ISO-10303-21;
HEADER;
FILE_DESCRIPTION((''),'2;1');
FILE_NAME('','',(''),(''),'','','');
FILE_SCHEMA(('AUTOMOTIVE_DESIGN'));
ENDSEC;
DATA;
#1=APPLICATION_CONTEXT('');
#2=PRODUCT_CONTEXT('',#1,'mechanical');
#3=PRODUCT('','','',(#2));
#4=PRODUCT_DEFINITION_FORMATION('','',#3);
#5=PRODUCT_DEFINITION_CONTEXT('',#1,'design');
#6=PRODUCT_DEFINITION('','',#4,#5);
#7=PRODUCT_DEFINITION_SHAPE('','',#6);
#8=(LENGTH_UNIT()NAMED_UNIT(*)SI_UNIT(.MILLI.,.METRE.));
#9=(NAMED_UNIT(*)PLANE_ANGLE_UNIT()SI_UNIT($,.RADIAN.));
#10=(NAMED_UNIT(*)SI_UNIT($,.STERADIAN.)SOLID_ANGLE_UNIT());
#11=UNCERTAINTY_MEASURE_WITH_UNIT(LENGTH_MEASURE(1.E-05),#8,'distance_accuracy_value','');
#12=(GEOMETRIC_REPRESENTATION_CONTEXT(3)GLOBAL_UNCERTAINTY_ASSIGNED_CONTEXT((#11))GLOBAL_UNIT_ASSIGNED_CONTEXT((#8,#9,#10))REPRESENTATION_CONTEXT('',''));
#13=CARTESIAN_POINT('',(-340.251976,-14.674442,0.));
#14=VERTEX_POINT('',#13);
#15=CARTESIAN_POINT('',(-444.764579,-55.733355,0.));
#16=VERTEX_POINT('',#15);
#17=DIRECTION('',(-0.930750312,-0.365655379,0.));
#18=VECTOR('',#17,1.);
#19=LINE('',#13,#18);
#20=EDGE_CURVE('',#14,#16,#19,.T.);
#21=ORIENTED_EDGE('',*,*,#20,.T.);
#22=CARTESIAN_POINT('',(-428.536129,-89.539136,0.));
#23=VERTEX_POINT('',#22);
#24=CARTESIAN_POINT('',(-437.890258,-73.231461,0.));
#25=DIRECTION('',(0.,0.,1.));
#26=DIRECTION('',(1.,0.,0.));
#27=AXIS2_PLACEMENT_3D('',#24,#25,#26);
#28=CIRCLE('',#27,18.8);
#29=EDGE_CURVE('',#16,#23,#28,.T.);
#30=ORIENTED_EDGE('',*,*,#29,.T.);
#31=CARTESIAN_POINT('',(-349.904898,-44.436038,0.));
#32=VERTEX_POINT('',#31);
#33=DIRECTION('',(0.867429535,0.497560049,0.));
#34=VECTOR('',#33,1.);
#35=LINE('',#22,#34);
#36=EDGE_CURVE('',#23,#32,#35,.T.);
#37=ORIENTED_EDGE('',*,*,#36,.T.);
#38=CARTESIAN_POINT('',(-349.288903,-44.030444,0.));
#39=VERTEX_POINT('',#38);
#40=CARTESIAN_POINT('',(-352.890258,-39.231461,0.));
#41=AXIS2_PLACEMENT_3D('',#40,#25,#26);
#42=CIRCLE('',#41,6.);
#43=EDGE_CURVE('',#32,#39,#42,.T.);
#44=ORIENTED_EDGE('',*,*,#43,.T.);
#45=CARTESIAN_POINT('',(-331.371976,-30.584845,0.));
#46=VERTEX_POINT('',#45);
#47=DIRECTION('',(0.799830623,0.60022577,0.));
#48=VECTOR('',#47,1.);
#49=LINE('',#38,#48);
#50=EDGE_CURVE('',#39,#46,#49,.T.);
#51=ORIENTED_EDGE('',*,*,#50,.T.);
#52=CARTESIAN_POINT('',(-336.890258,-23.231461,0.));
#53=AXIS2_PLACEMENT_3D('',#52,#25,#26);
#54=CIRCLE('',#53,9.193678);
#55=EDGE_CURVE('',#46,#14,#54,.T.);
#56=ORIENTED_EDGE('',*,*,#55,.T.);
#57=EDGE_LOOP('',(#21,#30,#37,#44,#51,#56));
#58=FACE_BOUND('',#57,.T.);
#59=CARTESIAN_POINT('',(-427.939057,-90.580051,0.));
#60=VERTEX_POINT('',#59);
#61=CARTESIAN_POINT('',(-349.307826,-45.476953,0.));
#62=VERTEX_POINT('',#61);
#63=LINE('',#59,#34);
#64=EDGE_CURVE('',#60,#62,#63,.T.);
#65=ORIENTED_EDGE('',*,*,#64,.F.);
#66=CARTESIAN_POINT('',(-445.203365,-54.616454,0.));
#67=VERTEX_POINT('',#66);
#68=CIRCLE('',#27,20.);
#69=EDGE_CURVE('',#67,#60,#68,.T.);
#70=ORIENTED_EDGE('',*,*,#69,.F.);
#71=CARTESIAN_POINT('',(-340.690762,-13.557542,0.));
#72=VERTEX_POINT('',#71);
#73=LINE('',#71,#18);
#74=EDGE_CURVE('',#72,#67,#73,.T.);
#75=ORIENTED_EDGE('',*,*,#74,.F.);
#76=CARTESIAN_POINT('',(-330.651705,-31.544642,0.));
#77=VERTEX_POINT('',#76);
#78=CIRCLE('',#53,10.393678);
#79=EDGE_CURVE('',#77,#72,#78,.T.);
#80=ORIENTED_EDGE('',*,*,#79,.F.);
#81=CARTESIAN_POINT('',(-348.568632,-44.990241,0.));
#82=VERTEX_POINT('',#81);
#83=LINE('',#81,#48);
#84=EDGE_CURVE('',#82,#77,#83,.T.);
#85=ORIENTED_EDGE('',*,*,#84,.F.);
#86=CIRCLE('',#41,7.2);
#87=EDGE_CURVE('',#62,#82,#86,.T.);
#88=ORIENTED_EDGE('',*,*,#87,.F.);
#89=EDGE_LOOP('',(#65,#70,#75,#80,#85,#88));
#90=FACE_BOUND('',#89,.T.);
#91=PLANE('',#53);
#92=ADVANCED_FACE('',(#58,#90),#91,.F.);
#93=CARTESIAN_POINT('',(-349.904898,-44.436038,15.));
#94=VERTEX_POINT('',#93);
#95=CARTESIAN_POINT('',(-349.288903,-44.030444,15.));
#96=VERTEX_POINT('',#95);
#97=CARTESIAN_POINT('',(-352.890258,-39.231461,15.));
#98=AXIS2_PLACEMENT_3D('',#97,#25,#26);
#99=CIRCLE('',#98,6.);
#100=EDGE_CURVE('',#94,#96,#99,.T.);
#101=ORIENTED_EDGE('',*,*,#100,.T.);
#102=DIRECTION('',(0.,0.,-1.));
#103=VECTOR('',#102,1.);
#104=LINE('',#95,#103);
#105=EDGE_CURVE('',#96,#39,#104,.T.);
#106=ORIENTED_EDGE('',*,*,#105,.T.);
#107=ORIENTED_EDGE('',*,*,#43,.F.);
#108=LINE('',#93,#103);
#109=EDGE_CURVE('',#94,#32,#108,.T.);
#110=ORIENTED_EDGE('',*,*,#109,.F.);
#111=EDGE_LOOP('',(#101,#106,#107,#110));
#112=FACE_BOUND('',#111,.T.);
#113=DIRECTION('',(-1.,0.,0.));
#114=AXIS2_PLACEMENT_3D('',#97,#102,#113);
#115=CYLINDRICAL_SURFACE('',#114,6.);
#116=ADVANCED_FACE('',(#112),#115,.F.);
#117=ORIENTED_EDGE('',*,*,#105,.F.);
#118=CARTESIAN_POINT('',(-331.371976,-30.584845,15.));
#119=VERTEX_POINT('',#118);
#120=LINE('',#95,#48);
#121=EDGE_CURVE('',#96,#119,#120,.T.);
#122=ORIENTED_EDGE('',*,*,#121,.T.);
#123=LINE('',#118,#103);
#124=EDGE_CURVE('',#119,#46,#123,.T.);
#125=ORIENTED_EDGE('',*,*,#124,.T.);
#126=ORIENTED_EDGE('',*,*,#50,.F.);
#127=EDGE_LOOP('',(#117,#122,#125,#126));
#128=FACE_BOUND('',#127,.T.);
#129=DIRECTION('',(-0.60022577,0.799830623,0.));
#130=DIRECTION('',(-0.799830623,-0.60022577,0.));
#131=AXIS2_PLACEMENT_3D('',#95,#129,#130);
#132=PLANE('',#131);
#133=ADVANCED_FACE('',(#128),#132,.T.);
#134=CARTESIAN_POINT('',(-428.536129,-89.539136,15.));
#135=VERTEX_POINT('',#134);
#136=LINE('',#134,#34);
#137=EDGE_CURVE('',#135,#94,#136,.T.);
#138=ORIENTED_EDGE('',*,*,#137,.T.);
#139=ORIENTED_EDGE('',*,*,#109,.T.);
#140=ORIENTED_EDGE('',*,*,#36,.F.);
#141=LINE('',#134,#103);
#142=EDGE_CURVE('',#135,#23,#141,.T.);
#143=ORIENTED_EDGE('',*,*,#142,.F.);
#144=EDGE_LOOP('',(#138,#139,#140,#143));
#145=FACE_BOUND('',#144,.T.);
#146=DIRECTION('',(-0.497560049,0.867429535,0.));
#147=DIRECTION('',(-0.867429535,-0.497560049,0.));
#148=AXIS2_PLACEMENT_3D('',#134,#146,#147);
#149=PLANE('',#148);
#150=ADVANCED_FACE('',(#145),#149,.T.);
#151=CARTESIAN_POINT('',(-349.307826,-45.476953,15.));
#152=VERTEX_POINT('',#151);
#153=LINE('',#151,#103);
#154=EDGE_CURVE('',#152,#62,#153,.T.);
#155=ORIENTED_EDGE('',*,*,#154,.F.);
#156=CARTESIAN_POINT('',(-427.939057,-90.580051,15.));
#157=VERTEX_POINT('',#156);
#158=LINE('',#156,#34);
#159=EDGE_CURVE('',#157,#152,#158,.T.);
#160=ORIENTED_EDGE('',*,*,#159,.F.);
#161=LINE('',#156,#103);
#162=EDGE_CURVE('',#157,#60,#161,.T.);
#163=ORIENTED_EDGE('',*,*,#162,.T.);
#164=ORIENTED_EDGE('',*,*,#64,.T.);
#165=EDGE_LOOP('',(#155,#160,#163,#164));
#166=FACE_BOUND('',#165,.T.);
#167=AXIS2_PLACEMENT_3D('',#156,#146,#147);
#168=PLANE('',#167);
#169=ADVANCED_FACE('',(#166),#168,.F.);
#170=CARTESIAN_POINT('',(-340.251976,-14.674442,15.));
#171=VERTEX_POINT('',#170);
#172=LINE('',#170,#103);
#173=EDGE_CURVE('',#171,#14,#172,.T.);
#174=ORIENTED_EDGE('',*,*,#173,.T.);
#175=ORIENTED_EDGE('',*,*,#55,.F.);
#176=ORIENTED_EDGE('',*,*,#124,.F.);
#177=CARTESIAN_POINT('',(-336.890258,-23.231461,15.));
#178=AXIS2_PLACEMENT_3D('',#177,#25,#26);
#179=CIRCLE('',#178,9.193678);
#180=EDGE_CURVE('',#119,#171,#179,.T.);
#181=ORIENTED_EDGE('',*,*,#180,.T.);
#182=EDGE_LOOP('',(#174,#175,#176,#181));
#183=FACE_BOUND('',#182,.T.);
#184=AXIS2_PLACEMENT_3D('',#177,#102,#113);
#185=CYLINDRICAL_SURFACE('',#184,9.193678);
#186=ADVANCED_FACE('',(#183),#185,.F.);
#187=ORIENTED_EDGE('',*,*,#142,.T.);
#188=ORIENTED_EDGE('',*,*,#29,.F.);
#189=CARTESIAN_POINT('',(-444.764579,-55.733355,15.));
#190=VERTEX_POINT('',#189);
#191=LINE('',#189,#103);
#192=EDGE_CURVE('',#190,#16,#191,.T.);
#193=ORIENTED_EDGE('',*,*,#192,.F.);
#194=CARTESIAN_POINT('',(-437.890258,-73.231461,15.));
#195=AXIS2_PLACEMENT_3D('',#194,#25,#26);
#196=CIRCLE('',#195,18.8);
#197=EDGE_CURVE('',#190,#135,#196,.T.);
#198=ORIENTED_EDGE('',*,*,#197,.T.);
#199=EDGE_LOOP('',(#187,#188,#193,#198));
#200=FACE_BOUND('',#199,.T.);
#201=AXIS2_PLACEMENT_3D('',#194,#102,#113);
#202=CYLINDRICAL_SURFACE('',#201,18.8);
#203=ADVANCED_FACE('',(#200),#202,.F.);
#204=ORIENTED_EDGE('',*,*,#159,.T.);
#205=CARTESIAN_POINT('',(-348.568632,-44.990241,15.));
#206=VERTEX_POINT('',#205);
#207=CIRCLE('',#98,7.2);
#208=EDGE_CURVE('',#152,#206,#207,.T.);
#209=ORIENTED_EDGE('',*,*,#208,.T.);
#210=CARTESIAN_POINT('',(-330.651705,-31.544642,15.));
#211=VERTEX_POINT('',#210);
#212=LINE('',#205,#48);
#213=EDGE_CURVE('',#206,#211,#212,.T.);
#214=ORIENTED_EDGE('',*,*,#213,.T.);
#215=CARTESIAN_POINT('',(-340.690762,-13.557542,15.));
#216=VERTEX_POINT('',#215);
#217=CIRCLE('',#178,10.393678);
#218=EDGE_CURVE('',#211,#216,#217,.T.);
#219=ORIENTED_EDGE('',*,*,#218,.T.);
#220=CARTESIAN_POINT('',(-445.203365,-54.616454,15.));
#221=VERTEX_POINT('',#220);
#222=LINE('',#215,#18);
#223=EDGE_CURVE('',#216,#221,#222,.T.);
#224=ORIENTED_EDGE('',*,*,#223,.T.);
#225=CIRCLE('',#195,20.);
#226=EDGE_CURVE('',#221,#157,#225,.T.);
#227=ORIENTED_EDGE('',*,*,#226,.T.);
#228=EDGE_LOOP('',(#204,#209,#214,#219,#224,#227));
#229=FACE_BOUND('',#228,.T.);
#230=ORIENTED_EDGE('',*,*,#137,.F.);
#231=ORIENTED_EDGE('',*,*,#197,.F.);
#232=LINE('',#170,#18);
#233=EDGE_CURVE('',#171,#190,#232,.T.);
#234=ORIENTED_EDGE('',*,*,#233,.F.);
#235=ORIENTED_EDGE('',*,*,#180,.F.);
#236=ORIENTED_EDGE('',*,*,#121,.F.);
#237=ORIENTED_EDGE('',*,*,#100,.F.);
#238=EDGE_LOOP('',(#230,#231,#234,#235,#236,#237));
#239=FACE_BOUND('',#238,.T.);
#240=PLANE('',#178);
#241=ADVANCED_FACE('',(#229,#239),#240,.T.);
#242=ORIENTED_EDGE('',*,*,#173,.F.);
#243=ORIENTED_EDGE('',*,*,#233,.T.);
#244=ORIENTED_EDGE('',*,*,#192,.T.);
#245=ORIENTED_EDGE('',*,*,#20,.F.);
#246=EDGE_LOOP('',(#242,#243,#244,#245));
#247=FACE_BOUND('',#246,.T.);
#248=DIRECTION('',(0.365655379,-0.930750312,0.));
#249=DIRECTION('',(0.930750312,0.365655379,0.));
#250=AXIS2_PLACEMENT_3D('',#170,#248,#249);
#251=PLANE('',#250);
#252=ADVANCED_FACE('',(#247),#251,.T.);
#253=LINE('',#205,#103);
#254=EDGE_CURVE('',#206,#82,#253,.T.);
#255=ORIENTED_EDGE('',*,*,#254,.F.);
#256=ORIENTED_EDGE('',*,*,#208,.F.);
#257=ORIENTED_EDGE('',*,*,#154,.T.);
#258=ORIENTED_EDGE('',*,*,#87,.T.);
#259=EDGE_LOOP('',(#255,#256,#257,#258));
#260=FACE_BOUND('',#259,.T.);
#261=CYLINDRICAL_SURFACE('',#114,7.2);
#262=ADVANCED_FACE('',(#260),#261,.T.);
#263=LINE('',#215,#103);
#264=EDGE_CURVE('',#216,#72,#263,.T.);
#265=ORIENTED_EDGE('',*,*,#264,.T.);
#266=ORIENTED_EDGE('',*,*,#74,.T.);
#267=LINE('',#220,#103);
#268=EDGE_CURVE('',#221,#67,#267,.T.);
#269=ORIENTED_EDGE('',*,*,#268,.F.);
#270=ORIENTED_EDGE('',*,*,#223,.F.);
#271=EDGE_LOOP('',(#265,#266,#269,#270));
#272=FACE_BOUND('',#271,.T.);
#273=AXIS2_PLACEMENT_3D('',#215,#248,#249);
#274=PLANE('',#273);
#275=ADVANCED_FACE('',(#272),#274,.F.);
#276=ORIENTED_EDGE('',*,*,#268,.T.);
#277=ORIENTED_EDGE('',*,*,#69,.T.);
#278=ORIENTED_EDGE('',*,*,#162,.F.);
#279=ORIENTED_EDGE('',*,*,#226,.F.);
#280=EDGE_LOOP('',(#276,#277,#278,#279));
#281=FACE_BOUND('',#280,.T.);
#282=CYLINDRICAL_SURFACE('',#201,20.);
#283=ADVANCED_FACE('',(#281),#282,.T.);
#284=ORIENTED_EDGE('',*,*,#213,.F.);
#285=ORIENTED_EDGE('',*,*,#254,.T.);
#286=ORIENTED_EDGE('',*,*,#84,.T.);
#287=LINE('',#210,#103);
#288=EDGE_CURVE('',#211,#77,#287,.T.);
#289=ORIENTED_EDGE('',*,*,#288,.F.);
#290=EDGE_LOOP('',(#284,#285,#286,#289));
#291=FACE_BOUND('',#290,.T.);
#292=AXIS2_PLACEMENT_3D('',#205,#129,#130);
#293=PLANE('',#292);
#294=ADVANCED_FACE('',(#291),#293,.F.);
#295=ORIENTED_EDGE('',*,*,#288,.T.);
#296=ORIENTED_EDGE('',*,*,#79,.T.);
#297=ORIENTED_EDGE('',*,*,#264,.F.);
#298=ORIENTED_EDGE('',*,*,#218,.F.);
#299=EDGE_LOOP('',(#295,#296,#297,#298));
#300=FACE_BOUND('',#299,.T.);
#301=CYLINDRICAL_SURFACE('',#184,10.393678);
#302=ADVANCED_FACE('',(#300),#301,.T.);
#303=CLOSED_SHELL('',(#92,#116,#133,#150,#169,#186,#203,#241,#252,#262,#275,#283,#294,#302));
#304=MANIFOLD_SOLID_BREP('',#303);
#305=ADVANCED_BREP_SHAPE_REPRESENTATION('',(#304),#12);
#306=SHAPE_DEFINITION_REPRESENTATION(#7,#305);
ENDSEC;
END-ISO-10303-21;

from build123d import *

# Parameters (mm, degrees)
EXTRUDE_THIN1_DEPTH = 15


with BuildPart() as part:
    # Sketch1 → Extrude-Thin1 (new body)
    with BuildSketch(Plane.XY):
        with BuildLine():
            Line((-348.568632332, -44.990241022), (-330.651704705, -31.544642204))
            ThreePointArc((-330.651704705, -31.544642204), (-327.814467779, -18.166031706), (-340.690762012, -13.557541818))
            Line((-340.690762012, -13.557541818), (-445.203365451, -54.61645429))
            ThreePointArc((-445.203365451, -54.61645429), (-455.920370474, -81.886807993), (-427.939056891, -90.580051229))
            Line((-427.939056891, -90.580051229), (-349.307825521, -45.476953187))
            ThreePointArc((-349.307825521, -45.476953187), (-348.930743386, -45.244965756), (-348.568632332, -44.990241022))
        make_face()
        with BuildLine():
            Line((-349.288903256, -44.030444275), (-331.371975629, -30.584845457))
            ThreePointArc((-331.371975629, -30.584845457), (-328.862311331, -18.750859791), (-340.251975557, -14.674442193))
            Line((-340.251975557, -14.674442193), (-444.764578996, -55.733354665))
            ThreePointArc((-444.764578996, -55.733354665), (-454.838563718, -81.367487146), (-428.53612895, -89.539135787))
            Line((-428.53612895, -89.539135787), (-349.90489758, -44.436037745))
            ThreePointArc((-349.90489758, -44.436037745), (-349.590662467, -44.242714886), (-349.288903256, -44.030444275))
        make_face(mode=Mode.SUBTRACT)
    extrude(amount=EXTRUDE_THIN1_DEPTH)


solid = part.part
